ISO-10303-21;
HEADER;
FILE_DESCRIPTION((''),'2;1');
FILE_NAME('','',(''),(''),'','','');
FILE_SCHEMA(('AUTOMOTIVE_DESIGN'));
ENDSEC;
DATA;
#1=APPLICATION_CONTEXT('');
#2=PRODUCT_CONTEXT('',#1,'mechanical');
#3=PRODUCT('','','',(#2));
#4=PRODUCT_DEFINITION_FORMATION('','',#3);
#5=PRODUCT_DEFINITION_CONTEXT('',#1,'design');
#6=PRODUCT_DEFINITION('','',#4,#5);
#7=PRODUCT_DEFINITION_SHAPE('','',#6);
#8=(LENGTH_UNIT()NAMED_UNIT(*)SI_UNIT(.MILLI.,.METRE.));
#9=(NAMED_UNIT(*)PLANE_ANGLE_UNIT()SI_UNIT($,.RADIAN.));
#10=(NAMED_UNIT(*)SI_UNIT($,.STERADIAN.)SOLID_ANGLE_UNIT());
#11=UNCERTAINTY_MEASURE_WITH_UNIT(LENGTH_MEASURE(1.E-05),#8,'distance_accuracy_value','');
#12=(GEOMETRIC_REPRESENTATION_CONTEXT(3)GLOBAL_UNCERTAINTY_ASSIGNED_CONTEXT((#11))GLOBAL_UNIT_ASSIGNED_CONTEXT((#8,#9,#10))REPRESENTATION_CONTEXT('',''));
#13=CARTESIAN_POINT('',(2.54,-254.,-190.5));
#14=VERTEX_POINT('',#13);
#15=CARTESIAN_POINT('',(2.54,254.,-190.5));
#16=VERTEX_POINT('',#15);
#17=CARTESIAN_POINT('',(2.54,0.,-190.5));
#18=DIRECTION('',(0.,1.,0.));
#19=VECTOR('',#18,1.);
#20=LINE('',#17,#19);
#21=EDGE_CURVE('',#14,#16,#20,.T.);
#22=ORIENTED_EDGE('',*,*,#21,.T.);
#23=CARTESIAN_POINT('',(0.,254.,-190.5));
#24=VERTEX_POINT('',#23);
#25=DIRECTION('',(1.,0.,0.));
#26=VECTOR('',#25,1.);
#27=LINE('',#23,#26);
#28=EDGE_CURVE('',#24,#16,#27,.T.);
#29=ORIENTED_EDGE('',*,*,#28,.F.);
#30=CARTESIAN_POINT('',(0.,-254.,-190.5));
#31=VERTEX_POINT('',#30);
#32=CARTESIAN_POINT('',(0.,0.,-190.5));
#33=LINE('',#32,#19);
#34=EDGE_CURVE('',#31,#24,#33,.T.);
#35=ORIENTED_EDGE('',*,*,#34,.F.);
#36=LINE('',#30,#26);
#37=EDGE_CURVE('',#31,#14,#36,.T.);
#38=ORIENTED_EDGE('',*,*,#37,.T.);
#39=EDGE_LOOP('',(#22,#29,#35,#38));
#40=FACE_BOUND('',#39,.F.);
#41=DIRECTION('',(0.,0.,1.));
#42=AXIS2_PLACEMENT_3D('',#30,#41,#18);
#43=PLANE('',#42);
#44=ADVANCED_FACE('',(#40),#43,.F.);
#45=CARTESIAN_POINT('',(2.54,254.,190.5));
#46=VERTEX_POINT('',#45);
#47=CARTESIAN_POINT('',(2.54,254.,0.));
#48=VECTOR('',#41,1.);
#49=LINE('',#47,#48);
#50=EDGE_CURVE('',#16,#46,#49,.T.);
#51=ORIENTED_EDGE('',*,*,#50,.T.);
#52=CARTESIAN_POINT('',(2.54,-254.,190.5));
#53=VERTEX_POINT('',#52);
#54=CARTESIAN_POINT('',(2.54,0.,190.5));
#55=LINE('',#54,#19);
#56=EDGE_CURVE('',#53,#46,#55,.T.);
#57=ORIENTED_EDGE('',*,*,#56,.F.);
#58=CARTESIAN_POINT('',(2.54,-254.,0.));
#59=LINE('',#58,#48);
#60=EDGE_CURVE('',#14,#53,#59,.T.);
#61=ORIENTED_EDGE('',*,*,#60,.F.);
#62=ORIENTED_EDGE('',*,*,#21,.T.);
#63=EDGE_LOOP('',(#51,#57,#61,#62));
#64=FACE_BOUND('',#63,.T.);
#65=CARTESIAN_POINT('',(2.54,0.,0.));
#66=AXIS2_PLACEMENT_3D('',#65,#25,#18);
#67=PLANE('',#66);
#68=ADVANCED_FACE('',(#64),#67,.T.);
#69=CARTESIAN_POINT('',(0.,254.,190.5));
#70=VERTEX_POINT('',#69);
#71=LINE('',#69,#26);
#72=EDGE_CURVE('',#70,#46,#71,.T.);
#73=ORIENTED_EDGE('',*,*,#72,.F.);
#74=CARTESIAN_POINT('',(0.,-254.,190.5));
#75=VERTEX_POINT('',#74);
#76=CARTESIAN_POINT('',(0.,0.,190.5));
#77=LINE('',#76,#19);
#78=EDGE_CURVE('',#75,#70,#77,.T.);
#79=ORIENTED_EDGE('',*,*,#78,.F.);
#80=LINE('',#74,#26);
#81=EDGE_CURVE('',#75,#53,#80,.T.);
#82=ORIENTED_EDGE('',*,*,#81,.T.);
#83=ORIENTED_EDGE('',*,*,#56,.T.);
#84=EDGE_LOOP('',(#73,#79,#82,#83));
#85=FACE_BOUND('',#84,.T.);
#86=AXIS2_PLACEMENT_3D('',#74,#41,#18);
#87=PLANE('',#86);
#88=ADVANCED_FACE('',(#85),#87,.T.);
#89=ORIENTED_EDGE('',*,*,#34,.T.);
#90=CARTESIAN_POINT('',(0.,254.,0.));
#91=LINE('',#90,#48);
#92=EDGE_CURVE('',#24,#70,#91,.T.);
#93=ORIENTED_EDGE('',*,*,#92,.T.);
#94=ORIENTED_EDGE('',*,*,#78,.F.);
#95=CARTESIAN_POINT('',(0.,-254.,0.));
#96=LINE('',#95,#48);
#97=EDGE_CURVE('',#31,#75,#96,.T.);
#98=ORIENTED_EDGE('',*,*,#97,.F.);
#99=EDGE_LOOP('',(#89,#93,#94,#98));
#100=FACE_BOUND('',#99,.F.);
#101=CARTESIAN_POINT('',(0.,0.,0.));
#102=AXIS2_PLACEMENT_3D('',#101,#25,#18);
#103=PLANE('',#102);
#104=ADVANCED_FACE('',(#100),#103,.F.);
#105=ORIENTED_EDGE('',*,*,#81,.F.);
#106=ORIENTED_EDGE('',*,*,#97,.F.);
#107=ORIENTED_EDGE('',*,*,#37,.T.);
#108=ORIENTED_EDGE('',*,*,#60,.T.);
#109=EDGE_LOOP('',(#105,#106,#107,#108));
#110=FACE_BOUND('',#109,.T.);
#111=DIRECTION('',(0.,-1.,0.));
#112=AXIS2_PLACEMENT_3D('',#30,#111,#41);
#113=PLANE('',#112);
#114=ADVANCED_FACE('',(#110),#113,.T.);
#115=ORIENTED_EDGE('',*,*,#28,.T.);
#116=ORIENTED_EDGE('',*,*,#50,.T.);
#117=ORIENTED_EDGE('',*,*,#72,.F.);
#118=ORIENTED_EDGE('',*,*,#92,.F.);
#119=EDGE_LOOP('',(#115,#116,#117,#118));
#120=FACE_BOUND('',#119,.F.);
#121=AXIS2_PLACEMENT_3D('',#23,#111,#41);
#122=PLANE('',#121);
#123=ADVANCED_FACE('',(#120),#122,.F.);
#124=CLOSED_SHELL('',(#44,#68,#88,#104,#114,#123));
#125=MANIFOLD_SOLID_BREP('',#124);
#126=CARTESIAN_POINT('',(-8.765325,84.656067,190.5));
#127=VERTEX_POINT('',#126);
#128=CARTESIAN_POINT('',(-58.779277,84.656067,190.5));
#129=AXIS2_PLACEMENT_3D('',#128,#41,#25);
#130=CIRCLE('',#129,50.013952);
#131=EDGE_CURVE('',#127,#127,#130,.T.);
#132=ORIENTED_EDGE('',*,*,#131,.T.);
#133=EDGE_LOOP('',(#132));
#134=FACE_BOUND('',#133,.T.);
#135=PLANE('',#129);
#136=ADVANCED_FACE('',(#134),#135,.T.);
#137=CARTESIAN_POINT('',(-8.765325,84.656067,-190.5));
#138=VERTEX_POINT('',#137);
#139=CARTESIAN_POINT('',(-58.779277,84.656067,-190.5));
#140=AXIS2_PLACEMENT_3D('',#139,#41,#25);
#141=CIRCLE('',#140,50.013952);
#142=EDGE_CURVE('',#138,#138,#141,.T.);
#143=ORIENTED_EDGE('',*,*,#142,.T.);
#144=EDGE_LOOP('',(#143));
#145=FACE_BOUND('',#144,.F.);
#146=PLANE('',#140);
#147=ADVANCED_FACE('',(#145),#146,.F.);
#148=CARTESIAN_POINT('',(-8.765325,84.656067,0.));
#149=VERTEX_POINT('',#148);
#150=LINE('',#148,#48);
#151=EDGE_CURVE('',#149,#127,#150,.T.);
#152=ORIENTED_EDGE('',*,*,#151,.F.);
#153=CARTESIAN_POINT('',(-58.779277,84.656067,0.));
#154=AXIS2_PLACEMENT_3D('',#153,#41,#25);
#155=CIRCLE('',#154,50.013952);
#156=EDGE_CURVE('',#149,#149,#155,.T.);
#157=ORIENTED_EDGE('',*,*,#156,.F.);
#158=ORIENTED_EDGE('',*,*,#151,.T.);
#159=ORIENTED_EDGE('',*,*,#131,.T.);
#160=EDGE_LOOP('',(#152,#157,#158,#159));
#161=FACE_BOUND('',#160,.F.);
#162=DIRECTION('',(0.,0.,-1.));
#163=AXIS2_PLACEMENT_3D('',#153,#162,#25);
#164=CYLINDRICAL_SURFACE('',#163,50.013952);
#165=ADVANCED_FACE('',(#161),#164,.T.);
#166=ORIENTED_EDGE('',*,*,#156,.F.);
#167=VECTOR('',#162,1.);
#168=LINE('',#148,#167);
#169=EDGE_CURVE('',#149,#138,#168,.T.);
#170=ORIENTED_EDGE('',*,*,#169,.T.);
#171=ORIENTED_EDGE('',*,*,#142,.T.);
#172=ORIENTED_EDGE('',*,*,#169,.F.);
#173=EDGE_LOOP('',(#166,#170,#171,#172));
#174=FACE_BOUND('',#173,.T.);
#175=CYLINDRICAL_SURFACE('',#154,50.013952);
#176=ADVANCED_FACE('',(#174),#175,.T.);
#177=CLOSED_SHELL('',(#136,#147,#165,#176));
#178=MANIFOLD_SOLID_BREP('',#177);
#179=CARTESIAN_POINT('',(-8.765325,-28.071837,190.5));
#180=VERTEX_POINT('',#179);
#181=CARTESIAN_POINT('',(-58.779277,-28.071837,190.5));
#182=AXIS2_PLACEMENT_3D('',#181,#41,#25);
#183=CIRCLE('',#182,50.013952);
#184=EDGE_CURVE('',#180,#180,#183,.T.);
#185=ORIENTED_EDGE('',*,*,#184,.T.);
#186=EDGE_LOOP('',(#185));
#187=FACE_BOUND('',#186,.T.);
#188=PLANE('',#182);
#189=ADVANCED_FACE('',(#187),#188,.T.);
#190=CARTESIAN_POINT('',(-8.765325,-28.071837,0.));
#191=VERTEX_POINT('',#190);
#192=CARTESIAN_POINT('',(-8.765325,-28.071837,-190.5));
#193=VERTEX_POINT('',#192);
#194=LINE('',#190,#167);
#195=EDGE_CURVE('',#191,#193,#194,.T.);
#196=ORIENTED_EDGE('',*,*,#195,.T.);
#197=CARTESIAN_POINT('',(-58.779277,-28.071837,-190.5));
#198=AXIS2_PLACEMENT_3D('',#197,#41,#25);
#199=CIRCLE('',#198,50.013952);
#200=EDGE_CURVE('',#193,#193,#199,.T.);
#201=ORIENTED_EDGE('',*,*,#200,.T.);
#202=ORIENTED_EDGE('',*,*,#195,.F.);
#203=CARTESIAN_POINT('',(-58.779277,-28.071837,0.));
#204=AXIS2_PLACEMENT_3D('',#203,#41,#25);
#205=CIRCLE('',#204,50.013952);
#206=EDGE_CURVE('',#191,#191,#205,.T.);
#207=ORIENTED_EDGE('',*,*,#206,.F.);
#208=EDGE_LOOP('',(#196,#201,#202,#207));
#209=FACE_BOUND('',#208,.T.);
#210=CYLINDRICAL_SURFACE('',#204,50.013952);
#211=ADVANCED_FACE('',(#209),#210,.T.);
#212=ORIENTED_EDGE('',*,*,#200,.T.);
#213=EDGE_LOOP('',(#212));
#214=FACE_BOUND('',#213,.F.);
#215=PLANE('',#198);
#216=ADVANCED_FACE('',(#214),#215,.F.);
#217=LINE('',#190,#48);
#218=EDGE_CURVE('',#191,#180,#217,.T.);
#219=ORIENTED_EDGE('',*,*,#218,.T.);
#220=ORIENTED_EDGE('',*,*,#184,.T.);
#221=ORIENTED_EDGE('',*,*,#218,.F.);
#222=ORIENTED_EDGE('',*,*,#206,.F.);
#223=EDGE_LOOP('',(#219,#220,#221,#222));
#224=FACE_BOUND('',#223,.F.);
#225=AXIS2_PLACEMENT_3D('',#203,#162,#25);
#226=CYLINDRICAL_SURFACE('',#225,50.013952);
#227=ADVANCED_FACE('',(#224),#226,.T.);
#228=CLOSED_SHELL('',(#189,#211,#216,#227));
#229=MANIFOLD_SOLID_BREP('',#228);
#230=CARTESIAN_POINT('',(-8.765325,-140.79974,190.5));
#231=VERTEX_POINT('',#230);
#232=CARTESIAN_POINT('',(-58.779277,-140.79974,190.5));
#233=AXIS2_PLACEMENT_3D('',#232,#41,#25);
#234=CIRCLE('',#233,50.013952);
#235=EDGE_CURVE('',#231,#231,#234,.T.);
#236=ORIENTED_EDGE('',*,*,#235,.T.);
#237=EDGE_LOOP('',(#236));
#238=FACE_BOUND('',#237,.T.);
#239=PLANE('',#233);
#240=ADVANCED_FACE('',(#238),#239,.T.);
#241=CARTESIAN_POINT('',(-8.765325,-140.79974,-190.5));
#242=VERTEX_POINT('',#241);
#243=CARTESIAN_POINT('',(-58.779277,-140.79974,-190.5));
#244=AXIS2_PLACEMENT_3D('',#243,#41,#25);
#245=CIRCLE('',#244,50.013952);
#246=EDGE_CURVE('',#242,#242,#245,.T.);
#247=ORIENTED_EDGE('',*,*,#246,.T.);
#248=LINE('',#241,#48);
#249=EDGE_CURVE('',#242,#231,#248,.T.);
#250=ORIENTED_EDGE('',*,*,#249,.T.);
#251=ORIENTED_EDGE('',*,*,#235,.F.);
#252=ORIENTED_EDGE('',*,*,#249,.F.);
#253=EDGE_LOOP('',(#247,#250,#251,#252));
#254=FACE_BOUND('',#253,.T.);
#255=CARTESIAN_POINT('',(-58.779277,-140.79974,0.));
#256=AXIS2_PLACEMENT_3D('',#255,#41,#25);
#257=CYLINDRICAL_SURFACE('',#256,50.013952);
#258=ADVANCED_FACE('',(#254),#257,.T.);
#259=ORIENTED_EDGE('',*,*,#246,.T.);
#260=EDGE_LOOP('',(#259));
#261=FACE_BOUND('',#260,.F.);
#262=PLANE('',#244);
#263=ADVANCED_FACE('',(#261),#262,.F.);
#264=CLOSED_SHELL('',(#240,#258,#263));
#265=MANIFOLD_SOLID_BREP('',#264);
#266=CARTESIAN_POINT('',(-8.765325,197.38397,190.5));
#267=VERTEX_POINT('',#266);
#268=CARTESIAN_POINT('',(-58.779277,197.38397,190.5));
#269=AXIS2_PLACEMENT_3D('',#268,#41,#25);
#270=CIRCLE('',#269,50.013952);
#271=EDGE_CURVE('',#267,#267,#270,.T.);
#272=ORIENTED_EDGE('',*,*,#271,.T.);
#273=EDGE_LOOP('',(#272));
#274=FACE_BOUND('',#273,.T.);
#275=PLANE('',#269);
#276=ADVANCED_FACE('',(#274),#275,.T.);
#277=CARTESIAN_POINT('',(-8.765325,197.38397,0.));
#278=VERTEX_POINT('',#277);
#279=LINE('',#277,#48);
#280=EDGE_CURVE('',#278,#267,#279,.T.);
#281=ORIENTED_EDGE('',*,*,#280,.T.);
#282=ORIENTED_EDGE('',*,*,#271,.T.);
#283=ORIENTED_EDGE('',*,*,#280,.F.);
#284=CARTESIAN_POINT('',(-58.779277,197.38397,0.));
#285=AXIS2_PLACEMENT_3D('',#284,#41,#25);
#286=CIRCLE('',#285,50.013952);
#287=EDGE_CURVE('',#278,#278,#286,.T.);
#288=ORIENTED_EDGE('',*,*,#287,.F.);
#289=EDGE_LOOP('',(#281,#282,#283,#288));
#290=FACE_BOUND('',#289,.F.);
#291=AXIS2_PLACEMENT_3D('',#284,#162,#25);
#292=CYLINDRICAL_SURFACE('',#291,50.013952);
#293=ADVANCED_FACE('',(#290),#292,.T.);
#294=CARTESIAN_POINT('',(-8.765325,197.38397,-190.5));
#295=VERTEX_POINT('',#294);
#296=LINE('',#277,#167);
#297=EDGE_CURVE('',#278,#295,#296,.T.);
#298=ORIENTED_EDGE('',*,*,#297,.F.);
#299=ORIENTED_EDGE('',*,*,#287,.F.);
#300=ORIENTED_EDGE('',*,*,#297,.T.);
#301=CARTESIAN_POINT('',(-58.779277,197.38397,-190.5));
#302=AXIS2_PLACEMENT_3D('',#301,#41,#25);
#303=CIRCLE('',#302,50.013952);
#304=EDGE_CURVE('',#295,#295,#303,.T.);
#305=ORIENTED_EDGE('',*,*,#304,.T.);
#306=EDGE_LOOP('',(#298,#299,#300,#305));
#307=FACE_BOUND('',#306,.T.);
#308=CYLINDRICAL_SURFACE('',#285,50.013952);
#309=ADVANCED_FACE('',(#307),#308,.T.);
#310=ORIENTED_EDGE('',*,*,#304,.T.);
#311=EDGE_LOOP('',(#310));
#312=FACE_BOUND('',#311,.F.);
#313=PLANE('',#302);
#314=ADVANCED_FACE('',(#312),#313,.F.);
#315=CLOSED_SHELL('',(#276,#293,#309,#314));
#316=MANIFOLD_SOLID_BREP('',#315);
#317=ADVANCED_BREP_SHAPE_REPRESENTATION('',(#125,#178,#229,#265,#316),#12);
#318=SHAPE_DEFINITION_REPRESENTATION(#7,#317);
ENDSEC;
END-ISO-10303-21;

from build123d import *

# Parameters (mm, degrees)
F0_W     = 508
F0_H     = 381
F1_DEPTH = 2.54
F2_R     = 50.013952
F3_DEPTH = 190.5


with BuildPart() as f1:
    # F0 (on Right) → F1 (new body)
    with BuildSketch(Plane.YZ):
        Rectangle(F0_W, F0_H)
    extrude(amount=F1_DEPTH)


with BuildPart() as f3:
    # F2 (on Top) → F3 (new body, symmetric)
    with BuildSketch(Plane.XY):
        with Locations((-58.779277, 197.38397)):
            Circle(F2_R)
        with Locations((-58.779277, 84.656067)):
            Circle(F2_R)
        with Locations((-58.779277, -28.071837)):
            Circle(F2_R)
        with Locations((-58.779277, -140.79974)):
            Circle(F2_R)
    extrude(amount=F3_DEPTH, both=True)


solid = Compound([f1.part, f3.part])
